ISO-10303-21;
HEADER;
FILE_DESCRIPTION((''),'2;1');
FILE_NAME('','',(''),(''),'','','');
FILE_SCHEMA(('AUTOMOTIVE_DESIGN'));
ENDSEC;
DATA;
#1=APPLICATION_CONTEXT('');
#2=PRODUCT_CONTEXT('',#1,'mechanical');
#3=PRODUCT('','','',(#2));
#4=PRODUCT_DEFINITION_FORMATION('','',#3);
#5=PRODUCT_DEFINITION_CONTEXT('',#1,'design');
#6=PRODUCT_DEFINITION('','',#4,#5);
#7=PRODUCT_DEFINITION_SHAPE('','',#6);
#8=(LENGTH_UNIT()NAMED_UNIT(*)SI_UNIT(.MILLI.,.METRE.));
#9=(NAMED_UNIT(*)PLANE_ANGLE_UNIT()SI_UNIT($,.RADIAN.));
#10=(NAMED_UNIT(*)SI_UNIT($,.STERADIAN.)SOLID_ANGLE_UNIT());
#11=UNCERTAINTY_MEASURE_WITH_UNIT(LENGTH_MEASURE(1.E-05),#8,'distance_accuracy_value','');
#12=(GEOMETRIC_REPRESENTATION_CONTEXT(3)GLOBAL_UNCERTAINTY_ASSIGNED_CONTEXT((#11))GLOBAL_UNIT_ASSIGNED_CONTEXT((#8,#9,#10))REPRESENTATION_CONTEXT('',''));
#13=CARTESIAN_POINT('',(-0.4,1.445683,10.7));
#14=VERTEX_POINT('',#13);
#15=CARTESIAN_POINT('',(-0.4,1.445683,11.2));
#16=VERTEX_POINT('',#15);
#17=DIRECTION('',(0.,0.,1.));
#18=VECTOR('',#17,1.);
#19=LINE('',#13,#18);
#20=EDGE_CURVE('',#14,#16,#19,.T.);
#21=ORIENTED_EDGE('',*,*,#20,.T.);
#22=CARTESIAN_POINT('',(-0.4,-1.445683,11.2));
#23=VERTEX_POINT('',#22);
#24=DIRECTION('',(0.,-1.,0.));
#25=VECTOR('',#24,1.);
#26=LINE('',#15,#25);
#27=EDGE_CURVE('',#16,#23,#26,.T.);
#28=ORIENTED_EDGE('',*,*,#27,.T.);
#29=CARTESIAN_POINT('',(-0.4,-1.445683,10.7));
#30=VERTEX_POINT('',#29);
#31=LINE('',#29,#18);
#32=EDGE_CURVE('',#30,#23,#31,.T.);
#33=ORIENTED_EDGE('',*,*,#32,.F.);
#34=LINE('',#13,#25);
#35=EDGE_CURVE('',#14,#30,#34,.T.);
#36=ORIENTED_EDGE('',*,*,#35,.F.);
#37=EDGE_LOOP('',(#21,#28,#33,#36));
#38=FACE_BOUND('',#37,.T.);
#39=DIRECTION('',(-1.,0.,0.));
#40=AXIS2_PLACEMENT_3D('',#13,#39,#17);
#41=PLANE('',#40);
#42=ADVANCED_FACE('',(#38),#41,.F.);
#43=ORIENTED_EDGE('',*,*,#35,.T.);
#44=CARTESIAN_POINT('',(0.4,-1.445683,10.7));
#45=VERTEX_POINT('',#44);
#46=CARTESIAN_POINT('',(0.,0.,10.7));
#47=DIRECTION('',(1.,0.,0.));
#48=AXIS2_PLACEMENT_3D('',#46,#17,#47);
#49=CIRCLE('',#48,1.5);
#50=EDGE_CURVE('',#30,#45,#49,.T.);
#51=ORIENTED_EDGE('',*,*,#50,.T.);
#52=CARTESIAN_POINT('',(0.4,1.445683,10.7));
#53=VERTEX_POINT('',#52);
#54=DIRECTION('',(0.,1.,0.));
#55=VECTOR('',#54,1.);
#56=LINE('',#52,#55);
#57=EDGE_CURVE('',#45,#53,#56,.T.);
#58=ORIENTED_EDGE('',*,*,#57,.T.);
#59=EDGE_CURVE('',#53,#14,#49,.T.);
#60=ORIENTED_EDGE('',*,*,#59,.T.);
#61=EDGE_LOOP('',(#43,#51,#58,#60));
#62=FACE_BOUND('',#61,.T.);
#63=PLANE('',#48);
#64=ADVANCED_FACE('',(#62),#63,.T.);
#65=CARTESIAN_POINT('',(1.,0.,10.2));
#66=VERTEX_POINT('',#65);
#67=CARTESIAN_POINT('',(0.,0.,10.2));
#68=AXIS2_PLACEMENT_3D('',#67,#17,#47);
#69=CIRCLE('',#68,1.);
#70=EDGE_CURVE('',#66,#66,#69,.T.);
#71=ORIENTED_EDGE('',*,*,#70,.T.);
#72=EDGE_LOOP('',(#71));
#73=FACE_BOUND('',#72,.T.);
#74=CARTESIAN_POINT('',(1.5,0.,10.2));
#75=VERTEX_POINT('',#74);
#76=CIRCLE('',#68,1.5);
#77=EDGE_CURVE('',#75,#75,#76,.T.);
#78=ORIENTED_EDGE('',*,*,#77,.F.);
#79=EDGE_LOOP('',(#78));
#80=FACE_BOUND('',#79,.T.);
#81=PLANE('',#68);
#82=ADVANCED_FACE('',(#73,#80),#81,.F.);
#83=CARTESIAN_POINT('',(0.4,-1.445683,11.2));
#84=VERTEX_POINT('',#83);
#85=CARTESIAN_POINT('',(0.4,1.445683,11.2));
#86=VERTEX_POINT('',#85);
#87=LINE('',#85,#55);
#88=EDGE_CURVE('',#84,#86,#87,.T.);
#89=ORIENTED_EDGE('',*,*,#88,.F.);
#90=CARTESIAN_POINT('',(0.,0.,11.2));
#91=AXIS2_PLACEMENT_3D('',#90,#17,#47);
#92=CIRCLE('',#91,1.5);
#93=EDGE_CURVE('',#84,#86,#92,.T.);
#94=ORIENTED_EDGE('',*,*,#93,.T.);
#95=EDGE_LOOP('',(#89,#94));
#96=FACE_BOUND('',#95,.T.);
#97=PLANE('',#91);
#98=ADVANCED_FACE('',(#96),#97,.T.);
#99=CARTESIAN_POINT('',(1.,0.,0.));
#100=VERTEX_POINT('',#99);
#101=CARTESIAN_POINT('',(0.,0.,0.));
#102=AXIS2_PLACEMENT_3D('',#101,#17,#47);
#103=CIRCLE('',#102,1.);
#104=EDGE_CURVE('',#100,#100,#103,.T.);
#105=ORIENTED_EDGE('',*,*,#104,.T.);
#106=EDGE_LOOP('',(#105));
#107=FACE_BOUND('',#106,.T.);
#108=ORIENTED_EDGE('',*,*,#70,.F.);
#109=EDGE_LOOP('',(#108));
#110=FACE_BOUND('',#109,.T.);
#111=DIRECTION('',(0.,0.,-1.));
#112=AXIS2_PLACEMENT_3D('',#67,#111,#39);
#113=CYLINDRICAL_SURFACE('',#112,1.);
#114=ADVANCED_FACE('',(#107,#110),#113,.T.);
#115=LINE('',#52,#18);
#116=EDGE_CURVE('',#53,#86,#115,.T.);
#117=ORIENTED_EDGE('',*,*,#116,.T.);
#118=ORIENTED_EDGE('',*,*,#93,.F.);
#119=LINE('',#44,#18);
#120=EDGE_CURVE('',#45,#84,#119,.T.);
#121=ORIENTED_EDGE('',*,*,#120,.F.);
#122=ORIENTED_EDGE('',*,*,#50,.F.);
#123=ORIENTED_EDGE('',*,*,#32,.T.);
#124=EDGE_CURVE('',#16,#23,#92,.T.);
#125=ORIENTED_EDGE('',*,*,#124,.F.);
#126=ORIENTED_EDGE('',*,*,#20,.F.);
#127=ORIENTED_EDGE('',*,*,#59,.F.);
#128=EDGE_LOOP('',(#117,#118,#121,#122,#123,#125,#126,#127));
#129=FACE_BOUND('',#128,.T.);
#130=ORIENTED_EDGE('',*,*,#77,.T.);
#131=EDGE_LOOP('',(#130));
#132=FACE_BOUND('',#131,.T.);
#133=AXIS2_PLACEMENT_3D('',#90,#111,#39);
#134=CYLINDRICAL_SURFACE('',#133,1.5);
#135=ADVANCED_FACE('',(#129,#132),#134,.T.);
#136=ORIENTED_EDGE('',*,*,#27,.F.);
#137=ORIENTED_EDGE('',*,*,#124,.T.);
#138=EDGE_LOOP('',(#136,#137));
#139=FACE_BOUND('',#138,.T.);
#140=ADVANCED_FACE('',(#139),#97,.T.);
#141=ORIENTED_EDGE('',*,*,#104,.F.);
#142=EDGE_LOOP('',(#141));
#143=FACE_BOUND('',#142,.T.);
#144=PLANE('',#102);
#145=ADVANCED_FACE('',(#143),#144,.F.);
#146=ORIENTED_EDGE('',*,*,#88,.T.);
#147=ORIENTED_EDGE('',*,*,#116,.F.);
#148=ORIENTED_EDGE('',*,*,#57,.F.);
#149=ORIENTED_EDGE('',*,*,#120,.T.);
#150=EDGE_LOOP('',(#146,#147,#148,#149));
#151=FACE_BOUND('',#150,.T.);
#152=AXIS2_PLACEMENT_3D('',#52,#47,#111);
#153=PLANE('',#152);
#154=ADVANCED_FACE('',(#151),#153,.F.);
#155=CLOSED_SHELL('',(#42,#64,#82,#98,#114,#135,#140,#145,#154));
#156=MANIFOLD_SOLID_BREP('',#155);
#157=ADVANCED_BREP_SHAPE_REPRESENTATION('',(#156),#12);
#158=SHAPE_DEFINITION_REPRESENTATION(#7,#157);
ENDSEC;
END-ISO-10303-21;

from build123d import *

# Parameters (mm, degrees)
SKETCH2_R           = 1
BOSS_EXTRUDE1_DEPTH = 10.2
SKETCH3_R           = 1.5
BOSS_EXTRUDE2_DEPTH = 1
CUT_EXTRUDE1_START  = -0.5
CUT_EXTRUDE1_DEPTH  = 0.5


with BuildPart() as part:
    # Sketch2 → Boss-Extrude1 (new body)
    with BuildSketch(Plane.XY):
        Circle(SKETCH2_R)
    extrude(amount=BOSS_EXTRUDE1_DEPTH)

    # Sketch3 → Boss-Extrude2 (add)
    with BuildSketch(Plane.XY.offset(10.2)):
        Circle(SKETCH3_R)
    extrude(amount=BOSS_EXTRUDE2_DEPTH)

    # Sketch4 → Cut-Extrude1 (cut)
    with BuildSketch(Plane.XY.offset(11.2).offset(CUT_EXTRUDE1_START)):
        with BuildLine():
            Line((0.4, 1.445683229), (0.4, -1.445683229))
            ThreePointArc((0.4, -1.445683229), (0, -1.5), (-0.4, -1.445683229))
            Line((-0.4, -1.445683229), (-0.4, 1.445683229))
            ThreePointArc((-0.4, 1.445683229), (0, 1.5), (0.4, 1.445683229))
        make_face()
    extrude(amount=CUT_EXTRUDE1_DEPTH, mode=Mode.SUBTRACT)


solid = part.part
